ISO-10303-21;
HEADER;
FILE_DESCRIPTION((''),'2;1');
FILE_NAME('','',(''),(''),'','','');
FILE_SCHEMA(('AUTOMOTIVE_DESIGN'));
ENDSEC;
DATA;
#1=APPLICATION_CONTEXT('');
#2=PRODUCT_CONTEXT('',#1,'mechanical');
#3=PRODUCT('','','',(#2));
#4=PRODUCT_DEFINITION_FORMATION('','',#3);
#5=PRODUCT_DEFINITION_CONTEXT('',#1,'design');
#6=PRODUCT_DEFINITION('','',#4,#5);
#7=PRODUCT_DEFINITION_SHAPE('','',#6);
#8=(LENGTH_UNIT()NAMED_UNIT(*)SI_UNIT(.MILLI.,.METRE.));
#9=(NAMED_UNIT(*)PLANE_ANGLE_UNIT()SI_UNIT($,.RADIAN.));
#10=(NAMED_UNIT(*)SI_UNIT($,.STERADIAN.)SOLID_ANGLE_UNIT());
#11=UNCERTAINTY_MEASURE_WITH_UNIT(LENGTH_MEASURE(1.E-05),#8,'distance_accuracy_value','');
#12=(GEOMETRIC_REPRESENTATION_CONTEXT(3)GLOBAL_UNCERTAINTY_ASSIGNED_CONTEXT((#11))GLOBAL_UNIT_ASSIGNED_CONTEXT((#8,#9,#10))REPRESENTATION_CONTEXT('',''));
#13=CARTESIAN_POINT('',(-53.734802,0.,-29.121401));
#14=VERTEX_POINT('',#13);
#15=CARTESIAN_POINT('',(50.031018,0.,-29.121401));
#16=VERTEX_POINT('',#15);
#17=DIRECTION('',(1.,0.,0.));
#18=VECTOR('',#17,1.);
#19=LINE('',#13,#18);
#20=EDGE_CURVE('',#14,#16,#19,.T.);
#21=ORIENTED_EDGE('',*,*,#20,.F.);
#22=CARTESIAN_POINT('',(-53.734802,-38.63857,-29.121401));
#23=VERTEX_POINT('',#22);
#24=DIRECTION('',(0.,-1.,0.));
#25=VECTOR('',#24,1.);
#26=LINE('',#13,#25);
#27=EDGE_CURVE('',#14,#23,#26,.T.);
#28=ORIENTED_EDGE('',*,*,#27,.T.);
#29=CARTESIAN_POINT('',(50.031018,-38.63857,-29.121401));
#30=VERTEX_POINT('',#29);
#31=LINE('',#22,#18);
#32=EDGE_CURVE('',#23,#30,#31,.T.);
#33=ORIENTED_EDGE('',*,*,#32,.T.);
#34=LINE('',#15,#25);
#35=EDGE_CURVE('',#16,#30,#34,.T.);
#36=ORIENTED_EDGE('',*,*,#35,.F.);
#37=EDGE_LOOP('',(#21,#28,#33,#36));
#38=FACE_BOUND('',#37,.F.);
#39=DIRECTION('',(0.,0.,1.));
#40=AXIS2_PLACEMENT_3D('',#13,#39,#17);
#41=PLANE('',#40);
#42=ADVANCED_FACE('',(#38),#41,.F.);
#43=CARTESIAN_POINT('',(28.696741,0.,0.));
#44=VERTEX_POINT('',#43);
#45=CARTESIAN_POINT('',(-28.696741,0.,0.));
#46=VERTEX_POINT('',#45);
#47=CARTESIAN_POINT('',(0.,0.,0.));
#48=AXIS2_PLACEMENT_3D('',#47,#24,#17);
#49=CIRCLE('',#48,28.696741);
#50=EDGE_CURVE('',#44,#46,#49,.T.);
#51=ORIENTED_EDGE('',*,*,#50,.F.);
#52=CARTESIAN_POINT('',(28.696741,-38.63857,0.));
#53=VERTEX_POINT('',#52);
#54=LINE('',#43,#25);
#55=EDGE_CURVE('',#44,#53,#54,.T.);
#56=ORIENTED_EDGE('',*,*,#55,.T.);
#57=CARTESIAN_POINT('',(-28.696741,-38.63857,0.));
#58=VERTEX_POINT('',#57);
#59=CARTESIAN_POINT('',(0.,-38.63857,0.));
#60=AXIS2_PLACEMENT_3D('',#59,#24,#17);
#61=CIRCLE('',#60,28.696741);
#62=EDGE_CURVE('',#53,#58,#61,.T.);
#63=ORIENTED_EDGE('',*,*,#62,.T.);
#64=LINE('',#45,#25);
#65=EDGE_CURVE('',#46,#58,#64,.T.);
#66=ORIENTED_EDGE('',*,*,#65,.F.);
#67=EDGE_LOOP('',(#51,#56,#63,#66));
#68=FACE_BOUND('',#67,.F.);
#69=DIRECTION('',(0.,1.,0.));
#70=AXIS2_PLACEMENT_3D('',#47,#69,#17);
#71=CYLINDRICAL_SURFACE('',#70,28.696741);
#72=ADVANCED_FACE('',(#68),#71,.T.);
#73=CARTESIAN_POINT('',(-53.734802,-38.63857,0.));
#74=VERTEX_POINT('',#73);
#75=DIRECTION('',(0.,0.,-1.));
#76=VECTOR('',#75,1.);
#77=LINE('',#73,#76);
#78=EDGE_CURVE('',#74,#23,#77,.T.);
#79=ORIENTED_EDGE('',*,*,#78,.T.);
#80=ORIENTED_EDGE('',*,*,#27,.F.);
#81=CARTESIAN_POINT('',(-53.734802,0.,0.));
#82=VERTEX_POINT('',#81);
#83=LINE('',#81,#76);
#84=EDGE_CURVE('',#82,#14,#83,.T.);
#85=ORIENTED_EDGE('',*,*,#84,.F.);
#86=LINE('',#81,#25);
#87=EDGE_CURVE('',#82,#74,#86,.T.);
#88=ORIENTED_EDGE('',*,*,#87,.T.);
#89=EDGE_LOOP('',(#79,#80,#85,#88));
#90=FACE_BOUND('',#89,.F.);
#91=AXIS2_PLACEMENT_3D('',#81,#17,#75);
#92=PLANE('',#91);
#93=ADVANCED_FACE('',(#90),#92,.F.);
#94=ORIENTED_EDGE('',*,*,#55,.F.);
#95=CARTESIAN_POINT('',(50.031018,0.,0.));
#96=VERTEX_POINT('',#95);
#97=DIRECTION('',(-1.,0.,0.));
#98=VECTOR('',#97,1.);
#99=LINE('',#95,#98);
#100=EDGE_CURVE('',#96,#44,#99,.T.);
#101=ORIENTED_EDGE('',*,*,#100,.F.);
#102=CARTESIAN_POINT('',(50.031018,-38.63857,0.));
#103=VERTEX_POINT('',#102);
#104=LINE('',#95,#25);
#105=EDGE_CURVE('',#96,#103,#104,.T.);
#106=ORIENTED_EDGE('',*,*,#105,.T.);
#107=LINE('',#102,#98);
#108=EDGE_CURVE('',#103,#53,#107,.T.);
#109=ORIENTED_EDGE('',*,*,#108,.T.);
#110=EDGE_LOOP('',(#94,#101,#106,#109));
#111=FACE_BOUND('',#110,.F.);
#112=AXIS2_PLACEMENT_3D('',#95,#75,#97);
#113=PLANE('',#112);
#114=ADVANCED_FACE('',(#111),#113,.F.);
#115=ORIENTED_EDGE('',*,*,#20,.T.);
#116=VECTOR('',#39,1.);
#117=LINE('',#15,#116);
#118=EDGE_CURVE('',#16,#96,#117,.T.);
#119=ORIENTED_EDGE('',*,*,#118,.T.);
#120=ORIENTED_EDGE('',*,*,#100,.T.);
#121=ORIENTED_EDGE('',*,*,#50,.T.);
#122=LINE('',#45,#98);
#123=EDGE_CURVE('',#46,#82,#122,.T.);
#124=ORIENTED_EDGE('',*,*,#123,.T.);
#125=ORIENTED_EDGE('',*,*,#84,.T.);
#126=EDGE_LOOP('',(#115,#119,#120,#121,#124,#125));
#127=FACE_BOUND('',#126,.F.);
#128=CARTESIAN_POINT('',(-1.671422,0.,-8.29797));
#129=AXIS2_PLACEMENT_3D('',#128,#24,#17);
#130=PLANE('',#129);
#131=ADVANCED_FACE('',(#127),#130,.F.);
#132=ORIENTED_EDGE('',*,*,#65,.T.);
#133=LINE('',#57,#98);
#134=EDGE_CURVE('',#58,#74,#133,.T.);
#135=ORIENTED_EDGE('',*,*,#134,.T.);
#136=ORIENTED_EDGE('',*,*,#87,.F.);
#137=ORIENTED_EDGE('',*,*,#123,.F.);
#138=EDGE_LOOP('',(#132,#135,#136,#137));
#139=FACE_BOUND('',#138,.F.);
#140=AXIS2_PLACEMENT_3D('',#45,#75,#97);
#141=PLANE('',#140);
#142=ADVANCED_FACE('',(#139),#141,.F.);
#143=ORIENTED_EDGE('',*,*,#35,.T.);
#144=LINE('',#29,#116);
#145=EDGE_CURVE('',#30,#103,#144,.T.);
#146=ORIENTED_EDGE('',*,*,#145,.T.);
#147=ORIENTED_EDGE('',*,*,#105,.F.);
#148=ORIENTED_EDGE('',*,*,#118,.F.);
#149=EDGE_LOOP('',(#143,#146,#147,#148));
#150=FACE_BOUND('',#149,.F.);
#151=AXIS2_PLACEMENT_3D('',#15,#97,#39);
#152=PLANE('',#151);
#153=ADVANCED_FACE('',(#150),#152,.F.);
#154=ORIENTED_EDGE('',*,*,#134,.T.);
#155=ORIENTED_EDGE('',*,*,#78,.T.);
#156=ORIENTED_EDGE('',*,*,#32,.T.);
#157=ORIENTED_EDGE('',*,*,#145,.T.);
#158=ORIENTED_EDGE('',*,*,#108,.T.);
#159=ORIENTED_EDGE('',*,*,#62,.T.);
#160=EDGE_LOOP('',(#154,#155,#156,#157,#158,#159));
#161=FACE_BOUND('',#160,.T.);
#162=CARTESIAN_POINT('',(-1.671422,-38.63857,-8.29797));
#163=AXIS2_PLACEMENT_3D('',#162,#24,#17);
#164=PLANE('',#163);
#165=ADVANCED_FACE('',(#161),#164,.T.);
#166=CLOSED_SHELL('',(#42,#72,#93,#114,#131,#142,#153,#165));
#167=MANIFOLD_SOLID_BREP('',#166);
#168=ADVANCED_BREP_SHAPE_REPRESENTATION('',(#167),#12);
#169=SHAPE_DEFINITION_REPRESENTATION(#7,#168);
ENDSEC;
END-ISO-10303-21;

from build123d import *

# Parameters (mm, degrees)
F1_DEPTH = 38.63857


with BuildPart() as f1:
    # F0 (on Front) → F1 (new body)
    with BuildSketch(Plane.XZ):
        with BuildLine():
            Line((50.031018, 0), (28.696741, 0))
            ThreePointArc((28.696741, 0), (0, 28.696741), (-28.696741, 0))
            Line((-28.696741, 0), (-53.734802, 0))
            Line((-53.734802, 0), (-53.734802, -29.121401))
            Line((-53.734802, -29.121401), (0, -29.121401))
            Line((0, -29.121401), (50.031018, -29.121401))
            Line((50.031018, -29.121401), (50.031018, 0))
        make_face()
    extrude(amount=F1_DEPTH)


solid = f1.part
